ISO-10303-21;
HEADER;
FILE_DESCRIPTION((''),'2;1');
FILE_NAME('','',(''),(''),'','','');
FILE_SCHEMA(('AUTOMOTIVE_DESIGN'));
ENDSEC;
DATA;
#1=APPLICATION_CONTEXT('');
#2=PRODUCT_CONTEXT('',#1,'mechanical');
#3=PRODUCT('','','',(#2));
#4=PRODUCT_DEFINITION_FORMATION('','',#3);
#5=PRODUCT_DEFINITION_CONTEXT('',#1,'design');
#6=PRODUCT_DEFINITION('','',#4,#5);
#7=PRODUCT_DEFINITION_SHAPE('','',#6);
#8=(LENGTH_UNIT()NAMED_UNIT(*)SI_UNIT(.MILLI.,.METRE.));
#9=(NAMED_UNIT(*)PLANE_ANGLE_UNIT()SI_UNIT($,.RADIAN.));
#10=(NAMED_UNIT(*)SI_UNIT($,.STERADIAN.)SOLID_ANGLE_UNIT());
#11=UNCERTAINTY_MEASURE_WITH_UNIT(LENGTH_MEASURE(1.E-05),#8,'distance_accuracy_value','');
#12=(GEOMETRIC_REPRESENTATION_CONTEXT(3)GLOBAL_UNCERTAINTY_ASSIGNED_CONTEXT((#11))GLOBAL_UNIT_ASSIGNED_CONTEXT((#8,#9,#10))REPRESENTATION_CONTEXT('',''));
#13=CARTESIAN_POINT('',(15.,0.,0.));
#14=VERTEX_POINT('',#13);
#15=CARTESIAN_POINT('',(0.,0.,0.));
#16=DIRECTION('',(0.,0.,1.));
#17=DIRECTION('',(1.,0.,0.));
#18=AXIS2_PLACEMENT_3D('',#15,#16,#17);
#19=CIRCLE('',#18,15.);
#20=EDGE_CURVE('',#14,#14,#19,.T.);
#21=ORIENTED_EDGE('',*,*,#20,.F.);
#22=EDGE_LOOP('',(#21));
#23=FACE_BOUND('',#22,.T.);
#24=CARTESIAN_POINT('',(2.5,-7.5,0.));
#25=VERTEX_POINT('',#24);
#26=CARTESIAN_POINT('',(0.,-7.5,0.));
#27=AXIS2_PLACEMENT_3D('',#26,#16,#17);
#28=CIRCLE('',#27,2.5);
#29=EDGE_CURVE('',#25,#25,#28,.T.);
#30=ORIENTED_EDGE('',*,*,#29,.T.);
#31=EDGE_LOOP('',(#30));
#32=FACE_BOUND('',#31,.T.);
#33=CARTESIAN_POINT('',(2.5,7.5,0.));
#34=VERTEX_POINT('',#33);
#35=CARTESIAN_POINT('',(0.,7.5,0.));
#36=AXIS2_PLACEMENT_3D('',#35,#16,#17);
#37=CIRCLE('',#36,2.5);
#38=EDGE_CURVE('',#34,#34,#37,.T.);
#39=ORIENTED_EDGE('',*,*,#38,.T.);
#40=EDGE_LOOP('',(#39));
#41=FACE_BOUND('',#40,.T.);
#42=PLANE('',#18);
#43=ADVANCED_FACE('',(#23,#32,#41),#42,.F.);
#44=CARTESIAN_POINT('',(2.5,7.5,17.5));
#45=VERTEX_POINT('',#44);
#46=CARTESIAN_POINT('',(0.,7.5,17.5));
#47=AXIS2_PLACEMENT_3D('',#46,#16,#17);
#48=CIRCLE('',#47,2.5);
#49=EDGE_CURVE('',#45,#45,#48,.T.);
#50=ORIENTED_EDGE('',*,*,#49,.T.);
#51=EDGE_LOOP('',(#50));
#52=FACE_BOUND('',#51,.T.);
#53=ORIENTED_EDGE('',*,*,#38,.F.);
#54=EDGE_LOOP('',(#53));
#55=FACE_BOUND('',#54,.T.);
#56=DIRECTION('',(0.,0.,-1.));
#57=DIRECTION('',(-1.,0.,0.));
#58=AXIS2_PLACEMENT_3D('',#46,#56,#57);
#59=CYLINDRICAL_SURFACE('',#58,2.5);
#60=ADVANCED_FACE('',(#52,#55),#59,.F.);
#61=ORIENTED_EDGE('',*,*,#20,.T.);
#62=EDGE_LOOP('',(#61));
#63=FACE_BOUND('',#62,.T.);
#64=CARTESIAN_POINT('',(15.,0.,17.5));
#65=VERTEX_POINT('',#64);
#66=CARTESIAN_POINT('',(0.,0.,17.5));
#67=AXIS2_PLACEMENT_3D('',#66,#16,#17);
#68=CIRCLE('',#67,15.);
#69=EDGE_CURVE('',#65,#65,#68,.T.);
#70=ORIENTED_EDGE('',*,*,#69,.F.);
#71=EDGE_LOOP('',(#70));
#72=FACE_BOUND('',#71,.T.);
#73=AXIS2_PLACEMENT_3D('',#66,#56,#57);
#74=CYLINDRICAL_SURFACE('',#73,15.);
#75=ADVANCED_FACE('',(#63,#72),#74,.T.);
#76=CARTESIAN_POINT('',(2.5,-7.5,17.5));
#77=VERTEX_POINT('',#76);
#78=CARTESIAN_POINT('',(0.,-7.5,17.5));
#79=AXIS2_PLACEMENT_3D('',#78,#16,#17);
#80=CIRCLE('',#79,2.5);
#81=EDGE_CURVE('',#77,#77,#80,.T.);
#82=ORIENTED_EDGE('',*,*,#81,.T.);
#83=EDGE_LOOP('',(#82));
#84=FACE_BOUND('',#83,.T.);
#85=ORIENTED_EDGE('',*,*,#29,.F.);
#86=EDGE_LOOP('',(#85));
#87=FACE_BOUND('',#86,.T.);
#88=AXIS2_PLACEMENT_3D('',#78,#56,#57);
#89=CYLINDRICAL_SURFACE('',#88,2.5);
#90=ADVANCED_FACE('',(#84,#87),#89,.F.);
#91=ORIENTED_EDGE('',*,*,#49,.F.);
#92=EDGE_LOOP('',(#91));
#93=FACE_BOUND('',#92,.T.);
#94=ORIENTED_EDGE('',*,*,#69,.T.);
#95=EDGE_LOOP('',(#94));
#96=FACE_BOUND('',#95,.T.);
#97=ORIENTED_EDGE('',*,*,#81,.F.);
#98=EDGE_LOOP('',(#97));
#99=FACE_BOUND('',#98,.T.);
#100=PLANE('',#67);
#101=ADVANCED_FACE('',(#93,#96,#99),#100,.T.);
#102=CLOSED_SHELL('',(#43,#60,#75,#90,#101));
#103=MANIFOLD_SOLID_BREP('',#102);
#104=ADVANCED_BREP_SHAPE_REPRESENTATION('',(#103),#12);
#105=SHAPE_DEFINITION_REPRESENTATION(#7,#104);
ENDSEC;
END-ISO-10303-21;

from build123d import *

# Parameters (mm, degrees)
SKETCH1_R           = 15
SKETCH1_R_2         = 2.5
BOSS_EXTRUDE1_DEPTH = 17.5


with BuildPart() as part:
    # Sketch1 → Boss-Extrude1 (new body)
    with BuildSketch(Plane.XY):
        Circle(SKETCH1_R)
        with Locations((0, 7.5)):
            Circle(SKETCH1_R_2, mode=Mode.SUBTRACT)
        with Locations((0, -7.5)):
            Circle(SKETCH1_R_2, mode=Mode.SUBTRACT)
    extrude(amount=BOSS_EXTRUDE1_DEPTH)


solid = part.part
